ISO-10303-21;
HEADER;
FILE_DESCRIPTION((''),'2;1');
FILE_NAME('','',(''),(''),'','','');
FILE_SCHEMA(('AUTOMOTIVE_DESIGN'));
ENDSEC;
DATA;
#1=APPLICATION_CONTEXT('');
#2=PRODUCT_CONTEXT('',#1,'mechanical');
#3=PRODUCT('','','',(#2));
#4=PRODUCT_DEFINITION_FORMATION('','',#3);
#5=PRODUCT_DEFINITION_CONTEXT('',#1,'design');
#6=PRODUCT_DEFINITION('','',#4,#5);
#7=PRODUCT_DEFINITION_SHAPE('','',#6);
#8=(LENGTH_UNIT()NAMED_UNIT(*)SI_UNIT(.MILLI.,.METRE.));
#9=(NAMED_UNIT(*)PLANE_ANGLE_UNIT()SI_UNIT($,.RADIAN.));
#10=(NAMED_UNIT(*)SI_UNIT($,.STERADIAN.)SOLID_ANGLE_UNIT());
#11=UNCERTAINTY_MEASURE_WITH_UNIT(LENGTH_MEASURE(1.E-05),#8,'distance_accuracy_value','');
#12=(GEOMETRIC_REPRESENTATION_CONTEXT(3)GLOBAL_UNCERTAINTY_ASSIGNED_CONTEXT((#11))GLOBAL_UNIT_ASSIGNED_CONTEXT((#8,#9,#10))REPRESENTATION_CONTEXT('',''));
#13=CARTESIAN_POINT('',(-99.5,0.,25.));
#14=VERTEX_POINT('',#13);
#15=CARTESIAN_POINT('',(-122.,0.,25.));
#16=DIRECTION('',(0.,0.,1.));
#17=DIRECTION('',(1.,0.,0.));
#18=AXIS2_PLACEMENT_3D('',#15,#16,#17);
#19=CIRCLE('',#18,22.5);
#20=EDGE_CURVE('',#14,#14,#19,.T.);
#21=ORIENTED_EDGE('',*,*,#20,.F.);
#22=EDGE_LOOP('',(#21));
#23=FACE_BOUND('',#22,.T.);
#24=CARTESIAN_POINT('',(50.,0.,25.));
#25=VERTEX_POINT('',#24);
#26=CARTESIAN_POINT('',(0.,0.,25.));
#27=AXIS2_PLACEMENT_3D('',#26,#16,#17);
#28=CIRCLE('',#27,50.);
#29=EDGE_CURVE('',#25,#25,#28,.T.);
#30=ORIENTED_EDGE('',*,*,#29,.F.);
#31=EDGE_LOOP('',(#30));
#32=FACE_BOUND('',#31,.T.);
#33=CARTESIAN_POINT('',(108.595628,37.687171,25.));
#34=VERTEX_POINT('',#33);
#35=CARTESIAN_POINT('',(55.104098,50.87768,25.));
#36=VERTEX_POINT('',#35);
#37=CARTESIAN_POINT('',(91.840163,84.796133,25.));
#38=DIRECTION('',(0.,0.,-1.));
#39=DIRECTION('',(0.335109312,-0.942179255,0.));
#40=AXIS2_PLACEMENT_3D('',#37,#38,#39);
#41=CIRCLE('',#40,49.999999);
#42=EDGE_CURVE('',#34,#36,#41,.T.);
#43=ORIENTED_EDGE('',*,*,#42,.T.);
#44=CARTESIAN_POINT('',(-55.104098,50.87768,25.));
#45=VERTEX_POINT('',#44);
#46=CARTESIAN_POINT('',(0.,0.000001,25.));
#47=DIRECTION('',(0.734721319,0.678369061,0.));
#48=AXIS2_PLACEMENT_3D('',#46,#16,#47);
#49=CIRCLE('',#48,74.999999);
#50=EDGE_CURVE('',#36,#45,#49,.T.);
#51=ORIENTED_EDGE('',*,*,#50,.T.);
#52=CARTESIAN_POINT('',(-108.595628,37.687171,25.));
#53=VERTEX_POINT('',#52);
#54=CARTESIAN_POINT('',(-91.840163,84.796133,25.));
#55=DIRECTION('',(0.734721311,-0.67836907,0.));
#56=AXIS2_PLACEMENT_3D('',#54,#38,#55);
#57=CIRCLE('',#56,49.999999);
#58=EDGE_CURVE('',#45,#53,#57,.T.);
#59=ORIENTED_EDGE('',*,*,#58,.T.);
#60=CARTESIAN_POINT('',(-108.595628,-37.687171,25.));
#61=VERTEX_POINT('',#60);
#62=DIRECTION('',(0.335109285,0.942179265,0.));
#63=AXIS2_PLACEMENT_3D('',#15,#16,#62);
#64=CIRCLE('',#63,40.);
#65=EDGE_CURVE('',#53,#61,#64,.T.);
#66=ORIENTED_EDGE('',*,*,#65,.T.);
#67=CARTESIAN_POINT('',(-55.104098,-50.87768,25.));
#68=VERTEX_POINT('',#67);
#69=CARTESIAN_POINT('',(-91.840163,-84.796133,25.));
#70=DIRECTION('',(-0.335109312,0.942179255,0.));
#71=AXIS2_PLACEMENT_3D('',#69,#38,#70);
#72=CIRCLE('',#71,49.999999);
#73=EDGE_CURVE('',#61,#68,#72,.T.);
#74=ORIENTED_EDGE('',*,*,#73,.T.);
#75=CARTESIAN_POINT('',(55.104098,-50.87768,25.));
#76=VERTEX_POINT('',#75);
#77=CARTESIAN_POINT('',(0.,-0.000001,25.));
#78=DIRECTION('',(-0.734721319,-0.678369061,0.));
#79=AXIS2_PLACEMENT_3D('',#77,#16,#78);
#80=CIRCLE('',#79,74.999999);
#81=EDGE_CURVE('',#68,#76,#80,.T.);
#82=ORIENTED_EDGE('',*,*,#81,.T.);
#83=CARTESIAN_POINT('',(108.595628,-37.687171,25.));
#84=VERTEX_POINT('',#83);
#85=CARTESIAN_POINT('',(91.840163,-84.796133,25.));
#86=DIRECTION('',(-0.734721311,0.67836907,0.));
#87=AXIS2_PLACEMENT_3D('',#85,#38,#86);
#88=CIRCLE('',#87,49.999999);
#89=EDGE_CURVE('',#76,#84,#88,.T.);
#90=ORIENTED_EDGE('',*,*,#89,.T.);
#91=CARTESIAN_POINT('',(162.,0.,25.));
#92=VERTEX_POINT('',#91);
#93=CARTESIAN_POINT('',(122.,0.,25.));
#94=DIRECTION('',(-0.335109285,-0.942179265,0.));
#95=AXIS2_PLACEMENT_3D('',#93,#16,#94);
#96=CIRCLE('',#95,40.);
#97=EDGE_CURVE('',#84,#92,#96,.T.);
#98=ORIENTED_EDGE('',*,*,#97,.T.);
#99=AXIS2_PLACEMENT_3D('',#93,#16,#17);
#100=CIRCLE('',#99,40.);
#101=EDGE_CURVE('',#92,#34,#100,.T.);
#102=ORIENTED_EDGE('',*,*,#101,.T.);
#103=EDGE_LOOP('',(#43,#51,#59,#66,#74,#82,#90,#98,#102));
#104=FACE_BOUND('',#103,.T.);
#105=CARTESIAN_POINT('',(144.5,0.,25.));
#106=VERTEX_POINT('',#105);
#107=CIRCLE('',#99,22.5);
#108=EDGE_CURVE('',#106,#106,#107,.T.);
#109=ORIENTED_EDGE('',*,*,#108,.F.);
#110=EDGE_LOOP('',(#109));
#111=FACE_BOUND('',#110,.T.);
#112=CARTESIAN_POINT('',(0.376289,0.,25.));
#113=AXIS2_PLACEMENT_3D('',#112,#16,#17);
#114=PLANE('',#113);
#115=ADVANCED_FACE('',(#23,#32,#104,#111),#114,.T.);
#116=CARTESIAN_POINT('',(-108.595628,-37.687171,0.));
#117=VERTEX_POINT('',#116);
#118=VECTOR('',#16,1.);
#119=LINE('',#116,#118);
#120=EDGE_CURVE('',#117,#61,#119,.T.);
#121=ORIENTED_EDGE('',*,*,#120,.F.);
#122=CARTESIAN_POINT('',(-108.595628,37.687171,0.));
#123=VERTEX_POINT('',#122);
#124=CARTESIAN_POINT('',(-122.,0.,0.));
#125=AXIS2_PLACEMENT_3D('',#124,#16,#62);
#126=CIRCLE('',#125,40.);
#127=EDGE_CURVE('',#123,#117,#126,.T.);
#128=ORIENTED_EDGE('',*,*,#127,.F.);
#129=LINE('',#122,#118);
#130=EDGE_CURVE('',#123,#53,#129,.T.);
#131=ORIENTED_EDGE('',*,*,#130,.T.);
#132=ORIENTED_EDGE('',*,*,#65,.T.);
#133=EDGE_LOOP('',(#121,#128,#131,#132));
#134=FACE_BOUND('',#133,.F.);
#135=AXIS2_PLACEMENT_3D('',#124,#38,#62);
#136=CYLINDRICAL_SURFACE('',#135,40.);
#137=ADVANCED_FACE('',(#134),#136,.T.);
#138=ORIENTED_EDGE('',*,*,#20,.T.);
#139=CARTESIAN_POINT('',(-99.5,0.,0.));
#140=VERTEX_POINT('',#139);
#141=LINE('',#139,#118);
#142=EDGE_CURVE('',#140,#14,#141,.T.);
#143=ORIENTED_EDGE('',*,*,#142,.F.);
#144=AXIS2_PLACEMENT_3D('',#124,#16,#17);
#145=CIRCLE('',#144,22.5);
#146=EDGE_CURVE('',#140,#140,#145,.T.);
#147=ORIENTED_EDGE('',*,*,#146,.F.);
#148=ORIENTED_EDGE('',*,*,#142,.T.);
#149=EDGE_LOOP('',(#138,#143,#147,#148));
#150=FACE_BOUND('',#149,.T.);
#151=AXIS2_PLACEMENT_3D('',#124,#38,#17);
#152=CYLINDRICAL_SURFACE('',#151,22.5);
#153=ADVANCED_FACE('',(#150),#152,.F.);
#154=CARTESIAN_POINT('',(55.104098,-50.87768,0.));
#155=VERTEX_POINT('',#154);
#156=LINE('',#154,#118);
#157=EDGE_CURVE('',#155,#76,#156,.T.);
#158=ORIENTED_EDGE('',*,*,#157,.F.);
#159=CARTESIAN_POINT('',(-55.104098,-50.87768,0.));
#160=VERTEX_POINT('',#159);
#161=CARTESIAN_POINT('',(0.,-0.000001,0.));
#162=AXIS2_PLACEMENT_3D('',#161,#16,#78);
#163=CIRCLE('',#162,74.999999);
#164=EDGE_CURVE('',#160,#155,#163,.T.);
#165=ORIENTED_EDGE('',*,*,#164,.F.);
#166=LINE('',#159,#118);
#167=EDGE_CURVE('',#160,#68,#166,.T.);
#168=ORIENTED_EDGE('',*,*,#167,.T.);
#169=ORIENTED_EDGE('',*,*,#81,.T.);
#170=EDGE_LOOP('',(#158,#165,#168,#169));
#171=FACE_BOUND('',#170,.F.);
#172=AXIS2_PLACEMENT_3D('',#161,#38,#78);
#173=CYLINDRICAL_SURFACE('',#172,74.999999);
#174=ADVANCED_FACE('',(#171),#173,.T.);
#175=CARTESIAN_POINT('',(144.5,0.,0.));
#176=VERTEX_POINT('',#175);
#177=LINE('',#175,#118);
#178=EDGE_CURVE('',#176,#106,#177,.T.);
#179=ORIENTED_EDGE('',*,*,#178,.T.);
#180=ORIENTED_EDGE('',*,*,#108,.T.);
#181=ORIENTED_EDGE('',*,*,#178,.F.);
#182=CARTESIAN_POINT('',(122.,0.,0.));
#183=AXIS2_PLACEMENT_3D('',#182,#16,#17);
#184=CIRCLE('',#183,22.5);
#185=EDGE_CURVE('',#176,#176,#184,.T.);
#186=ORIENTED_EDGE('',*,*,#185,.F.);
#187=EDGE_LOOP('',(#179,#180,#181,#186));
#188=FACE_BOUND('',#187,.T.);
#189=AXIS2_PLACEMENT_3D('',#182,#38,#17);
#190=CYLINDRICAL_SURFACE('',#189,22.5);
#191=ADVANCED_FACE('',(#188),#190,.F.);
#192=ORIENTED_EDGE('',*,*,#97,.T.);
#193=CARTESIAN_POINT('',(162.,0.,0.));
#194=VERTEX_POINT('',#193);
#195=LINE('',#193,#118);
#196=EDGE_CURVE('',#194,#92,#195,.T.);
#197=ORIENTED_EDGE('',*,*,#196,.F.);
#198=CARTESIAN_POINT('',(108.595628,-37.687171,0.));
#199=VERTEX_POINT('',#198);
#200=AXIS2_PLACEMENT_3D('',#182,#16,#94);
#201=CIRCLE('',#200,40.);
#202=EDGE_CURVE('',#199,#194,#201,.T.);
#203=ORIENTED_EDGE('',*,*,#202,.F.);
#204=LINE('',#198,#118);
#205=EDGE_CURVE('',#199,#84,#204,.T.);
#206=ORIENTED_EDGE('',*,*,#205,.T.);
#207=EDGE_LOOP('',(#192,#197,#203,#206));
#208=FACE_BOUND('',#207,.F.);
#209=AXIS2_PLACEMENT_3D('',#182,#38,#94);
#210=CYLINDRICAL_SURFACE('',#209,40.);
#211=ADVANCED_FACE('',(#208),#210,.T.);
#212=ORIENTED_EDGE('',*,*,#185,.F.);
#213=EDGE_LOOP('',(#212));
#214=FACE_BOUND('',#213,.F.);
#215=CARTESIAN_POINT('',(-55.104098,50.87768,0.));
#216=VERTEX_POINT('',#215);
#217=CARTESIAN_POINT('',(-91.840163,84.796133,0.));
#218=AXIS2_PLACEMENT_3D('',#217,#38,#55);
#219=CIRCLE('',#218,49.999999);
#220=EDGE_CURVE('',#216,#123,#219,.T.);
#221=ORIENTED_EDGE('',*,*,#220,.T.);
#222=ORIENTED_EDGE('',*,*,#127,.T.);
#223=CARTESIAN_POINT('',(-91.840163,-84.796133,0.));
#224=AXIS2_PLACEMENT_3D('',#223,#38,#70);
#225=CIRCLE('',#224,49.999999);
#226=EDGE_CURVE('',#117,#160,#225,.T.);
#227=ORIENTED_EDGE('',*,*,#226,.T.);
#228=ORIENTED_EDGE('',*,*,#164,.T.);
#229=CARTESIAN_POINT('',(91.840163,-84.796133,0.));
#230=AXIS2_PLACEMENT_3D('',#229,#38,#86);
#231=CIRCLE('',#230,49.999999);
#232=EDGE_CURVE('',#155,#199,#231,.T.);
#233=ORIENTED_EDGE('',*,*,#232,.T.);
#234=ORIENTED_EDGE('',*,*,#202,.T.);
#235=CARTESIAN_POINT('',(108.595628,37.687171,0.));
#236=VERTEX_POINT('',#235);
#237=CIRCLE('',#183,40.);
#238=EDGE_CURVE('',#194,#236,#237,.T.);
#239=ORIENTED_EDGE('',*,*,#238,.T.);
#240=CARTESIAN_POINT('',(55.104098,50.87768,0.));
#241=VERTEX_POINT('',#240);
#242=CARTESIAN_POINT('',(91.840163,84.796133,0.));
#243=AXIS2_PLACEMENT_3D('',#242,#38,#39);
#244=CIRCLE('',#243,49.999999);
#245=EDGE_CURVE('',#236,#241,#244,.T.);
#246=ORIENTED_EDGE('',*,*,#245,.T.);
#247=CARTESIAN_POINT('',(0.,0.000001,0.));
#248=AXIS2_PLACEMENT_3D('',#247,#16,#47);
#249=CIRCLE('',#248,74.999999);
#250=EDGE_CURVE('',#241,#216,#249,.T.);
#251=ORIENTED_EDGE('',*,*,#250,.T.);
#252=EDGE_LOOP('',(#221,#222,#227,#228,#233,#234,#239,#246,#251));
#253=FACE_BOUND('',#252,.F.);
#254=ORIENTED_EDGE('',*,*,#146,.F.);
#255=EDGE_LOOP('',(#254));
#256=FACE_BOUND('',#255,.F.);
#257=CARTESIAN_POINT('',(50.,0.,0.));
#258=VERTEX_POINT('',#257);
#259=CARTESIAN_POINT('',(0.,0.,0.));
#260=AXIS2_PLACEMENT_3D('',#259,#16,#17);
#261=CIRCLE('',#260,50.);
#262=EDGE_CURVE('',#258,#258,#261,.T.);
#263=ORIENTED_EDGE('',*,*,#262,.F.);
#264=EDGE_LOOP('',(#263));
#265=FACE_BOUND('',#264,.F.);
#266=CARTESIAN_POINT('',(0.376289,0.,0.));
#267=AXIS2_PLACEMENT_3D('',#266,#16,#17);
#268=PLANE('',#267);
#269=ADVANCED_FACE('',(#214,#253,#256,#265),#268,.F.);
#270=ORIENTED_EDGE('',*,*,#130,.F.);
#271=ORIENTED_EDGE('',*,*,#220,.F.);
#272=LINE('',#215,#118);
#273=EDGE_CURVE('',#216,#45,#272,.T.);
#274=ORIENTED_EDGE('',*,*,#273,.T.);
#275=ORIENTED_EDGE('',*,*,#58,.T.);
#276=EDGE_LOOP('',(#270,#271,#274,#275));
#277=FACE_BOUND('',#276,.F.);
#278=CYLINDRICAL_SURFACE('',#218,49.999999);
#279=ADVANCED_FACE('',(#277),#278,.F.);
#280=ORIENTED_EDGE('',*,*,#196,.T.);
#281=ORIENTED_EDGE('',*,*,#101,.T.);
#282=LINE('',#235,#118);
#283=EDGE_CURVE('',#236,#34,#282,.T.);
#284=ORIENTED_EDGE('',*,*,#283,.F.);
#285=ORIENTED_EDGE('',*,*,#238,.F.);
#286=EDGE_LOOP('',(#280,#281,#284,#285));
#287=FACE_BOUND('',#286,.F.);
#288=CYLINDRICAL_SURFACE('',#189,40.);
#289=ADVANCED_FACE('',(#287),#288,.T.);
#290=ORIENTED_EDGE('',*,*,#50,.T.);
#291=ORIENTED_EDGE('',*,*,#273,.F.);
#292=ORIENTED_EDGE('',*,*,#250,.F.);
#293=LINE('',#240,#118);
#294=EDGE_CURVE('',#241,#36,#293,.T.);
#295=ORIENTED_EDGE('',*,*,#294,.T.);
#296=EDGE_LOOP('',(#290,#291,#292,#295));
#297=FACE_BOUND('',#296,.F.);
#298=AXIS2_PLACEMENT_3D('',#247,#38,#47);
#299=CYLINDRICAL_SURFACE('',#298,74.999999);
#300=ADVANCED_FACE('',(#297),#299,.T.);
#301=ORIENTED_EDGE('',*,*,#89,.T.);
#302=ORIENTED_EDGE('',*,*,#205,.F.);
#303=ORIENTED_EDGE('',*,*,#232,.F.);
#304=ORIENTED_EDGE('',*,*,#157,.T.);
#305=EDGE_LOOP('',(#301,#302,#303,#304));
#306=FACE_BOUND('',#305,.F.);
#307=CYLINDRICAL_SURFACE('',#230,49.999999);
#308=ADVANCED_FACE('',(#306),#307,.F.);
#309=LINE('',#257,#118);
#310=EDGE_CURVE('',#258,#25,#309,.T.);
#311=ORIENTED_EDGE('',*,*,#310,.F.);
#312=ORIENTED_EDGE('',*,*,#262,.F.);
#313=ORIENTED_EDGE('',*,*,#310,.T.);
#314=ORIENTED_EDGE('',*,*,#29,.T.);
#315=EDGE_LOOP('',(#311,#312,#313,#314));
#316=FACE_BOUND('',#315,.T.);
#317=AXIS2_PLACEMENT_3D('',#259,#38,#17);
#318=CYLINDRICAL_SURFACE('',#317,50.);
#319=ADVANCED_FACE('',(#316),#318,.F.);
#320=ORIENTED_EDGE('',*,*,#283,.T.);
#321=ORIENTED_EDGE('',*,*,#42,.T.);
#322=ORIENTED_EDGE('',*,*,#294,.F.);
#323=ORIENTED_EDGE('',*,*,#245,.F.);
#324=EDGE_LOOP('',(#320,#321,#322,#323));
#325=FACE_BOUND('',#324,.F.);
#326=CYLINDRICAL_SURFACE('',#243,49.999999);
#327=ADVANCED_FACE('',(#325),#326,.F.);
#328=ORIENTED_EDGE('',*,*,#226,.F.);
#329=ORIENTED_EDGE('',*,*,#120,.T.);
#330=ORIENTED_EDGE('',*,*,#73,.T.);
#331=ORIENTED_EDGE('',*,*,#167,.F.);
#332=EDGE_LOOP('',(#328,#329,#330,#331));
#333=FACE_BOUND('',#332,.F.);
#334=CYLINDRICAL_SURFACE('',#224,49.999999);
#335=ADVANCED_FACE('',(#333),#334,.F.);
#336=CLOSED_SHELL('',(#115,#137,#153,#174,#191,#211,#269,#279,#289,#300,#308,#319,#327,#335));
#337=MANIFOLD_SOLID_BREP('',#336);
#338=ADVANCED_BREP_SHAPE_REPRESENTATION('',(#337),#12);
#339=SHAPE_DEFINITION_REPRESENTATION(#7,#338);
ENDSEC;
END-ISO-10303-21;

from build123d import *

# Parameters (mm, degrees)
F0_R     = 50
F0_R_2   = 22.5
F1_DEPTH = 25


with BuildPart() as f1:
    # F0 (on Top) → F1 (new body)
    with BuildSketch(Plane.XY):
        with BuildLine():
            ThreePointArc((55.104098, -50.87768), (69.84915, -27.314764), (75, 0))
            ThreePointArc((75, 0), (69.84915, 27.314764), (55.104098, 50.87768))
            ThreePointArc((55.104098, 50.87768), (0, 75), (-55.104098, 50.87768))
            ThreePointArc((-55.104098, 50.87768), (-75, 0), (-55.104098, -50.87768))
            ThreePointArc((-55.104098, -50.87768), (0, -75), (55.104098, -50.87768))
        make_face()
        Circle(F0_R, mode=Mode.SUBTRACT)
        with BuildLine():
            ThreePointArc((55.104098, 50.87768), (69.84915, 27.314764), (75, 0))
            ThreePointArc((75, 0), (69.84915, -27.314764), (55.104098, -50.87768))
            ThreePointArc((55.104098, -50.87768), (79.86922, -36.250315), (108.595628, -37.687171))
            ThreePointArc((108.595628, -37.687171), (82, 0), (108.595628, 37.687171))
            ThreePointArc((108.595628, 37.687171), (79.86922, 36.250315), (55.104098, 50.87768))
        make_face()
        with BuildLine():
            ThreePointArc((162, 0), (145.06323, 32.681607), (108.595628, 37.687171))
            ThreePointArc((108.595628, 37.687171), (82, 0), (108.595628, -37.687171))
            ThreePointArc((108.595628, -37.687171), (145.06323, -32.681607), (162, 0))
        make_face()
        with Locations((122, 0)):
            Circle(F0_R_2, mode=Mode.SUBTRACT)
        with BuildLine():
            ThreePointArc((-55.104098, -50.87768), (-75, 0), (-55.104098, 50.87768))
            ThreePointArc((-55.104098, 50.87768), (-79.86922, 36.250315), (-108.595628, 37.687171))
            ThreePointArc((-108.595628, 37.687171), (-89.318393, 23.06323), (-82, 0))
            ThreePointArc((-82, 0), (-89.318393, -23.06323), (-108.595628, -37.687171))
            ThreePointArc((-108.595628, -37.687171), (-79.86922, -36.250315), (-55.104098, -50.87768))
        make_face()
        with BuildLine():
            ThreePointArc((-82, 0), (-89.318393, 23.06323), (-108.595628, 37.687171))
            ThreePointArc((-108.595628, 37.687171), (-162, 0), (-108.595628, -37.687171))
            ThreePointArc((-108.595628, -37.687171), (-89.318393, -23.06323), (-82, 0))
        make_face()
        with Locations((-122, 0)):
            Circle(F0_R_2, mode=Mode.SUBTRACT)
    extrude(amount=F1_DEPTH)


solid = f1.part
